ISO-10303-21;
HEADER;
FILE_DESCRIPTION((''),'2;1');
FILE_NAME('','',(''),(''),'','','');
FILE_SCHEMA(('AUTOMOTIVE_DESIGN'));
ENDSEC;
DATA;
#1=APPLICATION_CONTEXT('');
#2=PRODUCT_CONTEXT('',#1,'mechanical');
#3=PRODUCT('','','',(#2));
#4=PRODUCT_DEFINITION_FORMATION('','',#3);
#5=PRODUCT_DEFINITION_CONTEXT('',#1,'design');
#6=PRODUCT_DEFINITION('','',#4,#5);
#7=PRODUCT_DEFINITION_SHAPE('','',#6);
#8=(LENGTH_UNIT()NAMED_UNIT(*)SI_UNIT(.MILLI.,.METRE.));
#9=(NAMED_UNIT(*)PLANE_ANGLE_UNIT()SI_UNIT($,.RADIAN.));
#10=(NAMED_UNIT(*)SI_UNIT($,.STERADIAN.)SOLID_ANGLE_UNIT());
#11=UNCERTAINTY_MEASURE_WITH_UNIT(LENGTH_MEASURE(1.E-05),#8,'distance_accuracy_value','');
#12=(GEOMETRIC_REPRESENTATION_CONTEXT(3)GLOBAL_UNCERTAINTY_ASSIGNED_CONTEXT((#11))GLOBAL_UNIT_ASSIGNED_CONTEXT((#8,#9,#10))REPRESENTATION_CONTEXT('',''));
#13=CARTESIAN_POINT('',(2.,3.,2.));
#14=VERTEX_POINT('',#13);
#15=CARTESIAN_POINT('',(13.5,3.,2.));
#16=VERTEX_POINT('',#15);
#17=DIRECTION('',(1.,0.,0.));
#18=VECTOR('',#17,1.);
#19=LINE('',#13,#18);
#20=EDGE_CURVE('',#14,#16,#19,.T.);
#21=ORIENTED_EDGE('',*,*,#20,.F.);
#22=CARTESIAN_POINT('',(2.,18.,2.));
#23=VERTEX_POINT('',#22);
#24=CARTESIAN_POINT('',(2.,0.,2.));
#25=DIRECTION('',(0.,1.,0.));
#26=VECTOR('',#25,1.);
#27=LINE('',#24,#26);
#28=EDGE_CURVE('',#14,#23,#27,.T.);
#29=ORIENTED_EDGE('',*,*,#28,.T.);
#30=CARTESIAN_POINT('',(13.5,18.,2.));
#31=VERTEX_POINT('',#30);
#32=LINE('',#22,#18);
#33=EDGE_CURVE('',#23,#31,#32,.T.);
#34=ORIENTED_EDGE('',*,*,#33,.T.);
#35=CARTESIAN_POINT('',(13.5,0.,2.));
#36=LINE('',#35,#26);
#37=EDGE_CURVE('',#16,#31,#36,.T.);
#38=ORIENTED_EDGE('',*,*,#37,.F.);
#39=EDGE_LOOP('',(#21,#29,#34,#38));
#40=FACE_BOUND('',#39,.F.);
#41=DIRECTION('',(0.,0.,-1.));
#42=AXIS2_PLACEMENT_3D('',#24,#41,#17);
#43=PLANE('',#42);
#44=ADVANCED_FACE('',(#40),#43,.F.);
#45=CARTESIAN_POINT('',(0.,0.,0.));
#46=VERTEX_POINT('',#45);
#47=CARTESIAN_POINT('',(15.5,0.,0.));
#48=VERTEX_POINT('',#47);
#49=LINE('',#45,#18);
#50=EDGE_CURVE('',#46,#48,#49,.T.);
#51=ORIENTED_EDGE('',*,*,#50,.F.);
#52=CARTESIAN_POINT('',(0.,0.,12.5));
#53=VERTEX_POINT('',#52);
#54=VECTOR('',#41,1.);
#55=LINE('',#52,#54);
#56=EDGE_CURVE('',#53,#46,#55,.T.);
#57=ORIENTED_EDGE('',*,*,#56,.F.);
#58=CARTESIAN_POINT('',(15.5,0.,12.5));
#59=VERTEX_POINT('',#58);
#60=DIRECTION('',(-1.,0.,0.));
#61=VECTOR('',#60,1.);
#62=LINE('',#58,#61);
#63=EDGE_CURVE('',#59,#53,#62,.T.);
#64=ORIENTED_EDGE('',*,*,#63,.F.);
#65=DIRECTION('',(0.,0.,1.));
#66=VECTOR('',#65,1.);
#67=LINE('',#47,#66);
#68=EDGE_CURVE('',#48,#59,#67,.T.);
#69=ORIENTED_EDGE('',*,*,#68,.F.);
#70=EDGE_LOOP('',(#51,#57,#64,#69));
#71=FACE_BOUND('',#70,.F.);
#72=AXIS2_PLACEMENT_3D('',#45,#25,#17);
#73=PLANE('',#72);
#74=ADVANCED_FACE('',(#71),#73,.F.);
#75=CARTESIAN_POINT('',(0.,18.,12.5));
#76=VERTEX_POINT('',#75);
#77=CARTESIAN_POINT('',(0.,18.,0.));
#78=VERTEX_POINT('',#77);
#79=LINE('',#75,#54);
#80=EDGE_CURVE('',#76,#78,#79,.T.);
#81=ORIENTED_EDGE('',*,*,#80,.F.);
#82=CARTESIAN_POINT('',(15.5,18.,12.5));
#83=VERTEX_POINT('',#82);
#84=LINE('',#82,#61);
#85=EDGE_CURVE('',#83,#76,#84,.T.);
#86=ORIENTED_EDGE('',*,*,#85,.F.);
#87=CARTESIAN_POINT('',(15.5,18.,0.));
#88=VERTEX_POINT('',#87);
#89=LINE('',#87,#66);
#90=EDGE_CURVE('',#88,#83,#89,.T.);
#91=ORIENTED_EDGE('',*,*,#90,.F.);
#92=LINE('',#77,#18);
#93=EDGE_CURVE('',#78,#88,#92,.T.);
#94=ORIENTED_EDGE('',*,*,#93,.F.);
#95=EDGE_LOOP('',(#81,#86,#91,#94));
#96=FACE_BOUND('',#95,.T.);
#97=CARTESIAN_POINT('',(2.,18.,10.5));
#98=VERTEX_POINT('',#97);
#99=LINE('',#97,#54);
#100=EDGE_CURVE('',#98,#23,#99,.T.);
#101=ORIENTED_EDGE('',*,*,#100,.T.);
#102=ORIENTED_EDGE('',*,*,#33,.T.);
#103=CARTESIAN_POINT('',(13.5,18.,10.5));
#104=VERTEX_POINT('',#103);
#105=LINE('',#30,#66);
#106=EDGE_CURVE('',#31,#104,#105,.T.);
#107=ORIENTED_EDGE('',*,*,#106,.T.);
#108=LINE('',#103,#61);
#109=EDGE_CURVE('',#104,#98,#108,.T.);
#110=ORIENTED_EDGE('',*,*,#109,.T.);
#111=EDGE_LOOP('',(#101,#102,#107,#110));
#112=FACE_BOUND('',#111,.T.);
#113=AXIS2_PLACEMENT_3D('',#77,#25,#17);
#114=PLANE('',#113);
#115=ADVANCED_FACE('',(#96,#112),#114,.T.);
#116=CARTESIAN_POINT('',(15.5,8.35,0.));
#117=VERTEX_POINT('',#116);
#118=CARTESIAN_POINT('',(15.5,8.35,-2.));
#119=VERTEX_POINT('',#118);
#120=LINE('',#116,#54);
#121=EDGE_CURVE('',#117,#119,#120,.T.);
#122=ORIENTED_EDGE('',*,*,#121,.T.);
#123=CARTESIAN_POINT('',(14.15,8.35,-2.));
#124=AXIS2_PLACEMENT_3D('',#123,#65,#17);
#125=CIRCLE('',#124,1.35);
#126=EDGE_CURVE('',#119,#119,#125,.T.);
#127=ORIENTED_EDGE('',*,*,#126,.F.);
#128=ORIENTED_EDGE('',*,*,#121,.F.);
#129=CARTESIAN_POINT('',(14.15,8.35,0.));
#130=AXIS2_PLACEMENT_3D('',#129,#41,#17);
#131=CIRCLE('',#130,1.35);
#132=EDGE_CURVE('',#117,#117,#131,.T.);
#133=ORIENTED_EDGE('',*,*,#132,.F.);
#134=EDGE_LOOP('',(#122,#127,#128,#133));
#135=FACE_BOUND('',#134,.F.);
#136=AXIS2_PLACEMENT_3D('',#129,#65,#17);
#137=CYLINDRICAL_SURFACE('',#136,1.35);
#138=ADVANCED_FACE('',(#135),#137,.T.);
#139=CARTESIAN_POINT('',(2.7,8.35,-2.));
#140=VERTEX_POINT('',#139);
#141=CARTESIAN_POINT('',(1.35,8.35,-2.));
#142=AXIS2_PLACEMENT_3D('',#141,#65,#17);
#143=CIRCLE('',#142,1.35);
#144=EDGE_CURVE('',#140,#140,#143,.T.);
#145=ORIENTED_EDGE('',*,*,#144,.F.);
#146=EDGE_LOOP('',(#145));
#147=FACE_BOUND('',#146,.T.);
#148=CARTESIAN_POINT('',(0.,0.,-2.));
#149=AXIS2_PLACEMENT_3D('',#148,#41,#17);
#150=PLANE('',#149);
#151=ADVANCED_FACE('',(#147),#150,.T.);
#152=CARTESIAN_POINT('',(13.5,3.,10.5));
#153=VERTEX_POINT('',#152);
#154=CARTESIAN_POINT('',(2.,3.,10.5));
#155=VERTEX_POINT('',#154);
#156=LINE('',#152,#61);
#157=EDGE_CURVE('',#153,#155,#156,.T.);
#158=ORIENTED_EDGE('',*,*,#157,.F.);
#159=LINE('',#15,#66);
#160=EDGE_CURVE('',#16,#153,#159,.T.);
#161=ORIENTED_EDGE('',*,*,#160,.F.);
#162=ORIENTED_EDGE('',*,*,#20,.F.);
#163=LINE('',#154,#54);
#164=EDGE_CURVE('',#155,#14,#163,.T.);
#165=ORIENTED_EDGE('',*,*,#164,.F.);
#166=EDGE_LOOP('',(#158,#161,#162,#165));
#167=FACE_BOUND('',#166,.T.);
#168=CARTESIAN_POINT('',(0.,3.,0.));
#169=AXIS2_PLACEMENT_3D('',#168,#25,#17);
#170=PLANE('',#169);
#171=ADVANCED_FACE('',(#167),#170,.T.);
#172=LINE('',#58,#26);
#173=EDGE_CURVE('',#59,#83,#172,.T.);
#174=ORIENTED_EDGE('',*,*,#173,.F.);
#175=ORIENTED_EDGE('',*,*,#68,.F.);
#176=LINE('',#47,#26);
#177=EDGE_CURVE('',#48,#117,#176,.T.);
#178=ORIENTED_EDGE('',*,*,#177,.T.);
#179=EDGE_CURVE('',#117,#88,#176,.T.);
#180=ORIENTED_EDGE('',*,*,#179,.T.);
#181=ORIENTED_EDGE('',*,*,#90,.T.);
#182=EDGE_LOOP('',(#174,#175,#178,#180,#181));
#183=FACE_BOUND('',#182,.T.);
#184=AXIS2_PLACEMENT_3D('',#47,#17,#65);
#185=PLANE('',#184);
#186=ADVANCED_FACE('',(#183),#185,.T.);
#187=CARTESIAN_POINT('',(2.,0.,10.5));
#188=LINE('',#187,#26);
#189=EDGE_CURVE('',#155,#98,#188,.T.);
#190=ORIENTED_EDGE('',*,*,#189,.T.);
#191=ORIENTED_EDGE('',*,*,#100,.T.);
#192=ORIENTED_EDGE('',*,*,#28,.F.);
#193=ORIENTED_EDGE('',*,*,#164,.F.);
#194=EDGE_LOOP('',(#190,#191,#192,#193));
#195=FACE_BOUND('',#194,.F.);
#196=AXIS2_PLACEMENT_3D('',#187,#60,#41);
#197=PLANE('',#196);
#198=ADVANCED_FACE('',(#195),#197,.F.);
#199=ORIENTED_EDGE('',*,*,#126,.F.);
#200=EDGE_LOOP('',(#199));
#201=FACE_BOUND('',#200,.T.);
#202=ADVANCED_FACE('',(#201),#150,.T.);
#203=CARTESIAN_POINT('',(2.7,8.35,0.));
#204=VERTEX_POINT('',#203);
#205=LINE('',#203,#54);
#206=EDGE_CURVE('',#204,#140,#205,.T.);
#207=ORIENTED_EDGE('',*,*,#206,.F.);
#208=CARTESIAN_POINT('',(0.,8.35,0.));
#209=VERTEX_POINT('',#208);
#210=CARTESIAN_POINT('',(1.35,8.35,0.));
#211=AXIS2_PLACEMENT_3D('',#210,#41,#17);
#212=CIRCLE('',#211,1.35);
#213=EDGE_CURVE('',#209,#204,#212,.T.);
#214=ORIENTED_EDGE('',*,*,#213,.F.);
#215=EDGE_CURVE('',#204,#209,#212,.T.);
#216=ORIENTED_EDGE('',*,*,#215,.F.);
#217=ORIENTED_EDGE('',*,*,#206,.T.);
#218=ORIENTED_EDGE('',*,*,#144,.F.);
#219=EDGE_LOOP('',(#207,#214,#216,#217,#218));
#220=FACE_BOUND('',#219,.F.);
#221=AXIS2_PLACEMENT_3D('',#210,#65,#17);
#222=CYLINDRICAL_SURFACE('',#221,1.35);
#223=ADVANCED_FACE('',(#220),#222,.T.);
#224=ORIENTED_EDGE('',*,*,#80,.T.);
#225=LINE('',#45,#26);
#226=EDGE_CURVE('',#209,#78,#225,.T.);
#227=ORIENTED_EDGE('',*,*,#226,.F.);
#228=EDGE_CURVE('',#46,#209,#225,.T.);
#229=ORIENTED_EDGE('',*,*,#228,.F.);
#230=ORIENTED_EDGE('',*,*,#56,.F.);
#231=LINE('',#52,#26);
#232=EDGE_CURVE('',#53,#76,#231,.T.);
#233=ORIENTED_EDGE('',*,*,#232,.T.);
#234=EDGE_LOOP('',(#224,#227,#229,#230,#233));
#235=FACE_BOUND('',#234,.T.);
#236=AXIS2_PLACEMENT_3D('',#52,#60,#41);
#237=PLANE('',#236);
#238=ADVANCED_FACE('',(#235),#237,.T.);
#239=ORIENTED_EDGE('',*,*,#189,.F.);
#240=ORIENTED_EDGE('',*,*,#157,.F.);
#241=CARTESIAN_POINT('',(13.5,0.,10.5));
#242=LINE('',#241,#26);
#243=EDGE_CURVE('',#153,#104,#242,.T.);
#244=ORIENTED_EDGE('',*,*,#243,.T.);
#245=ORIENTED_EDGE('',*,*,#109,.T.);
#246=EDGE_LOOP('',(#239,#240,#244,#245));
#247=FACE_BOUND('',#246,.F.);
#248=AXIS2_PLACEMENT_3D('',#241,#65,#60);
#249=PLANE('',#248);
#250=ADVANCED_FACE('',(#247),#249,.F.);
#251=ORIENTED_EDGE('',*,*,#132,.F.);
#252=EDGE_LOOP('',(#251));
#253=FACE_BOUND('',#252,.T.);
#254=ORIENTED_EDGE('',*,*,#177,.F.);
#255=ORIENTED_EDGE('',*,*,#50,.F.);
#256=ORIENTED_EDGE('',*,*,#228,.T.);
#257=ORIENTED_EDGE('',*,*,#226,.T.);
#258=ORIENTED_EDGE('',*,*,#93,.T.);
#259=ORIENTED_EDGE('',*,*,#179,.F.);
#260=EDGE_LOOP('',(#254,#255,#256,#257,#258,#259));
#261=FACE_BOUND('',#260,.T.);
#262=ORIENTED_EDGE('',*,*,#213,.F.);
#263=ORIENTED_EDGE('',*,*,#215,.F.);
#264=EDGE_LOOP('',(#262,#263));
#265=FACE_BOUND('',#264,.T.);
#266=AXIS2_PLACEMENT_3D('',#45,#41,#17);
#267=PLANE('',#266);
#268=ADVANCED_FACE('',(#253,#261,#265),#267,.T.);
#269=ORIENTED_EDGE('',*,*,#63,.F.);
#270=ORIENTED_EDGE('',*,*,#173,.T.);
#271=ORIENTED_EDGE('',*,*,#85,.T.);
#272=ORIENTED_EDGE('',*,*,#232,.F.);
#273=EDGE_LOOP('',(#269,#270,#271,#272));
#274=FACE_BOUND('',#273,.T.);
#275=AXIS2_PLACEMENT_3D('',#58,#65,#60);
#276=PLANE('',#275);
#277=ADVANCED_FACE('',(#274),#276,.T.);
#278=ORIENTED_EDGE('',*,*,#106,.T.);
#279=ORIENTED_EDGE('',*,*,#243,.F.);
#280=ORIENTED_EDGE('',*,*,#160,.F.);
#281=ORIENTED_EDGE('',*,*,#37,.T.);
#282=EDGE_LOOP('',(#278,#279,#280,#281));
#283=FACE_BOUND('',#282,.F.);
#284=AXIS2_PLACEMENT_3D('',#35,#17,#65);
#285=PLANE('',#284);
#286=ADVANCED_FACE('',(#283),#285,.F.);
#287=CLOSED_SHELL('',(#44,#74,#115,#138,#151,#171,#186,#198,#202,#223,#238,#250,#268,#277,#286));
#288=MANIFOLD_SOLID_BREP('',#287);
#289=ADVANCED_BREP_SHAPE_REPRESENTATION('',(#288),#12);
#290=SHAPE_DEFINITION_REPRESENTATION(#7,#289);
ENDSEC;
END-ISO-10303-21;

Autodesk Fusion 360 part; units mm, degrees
sketch "Sketch1" plane through (0, 0, 0) normal (0, 1, 0) x (1, 0, 0)
  line L0 (0, 0) -> (15.5, 0)
  line L1 (15.5, 0) -> (15.5, -12.5)
  line L2 (15.5, -12.5) -> (0, -12.5)
  line L3 (0, -12.5) -> (0, 0)
  line L4 (2, -2) -> (13.5, -2)
  line L5 (13.5, -2) -> (13.5, -10.5)
  line L6 (13.5, -10.5) -> (2, -10.5)
  line L7 (2, -10.5) -> (2, -2)
  dimension "d1" = 15.5
  dimension "d2" = 12.5
  dimension "d3" = 2
extrude "Extrude1" add sketch "Sketch1" along normal blind 18
extrude "Extrude2" add sketch "Sketch1" along normal blind 3 contours L4 L5 L6 L7
sketch "Sketch2" plane through (0, 0, 0) normal (0, 0, -1) x (1, 0, 0)
  line L0 (15.5, 0) -> (0, 0)
  line L1 (0, 0) -> (0, -18)
  line L2 (0, -18) -> (15.5, -18)
  line L3 (15.5, -18) -> (15.5, 0)
  line L4 (0, -18) -> (0, -7)
  line L5 (0, -7) -> (15.5, -7)
  line L6 (15.5, -7) -> (15.5, -18)
  circle A0 centre (14.15, -8.35) radius 1.35
  circle A1 centre (1.35, -8.35) radius 1.35
  dimension "d8" = 11
  dimension "d9" = 1.35
  dimension "d10" = 1.35
extrude "Extrude3" add sketch "Sketch2" along normal blind 2 contours A0 | A1
equation "d9 = ( 2.7 / 2 ) * 1 mm"
equation "d10 = ( 2.7 / 2 ) * 1 mm"
